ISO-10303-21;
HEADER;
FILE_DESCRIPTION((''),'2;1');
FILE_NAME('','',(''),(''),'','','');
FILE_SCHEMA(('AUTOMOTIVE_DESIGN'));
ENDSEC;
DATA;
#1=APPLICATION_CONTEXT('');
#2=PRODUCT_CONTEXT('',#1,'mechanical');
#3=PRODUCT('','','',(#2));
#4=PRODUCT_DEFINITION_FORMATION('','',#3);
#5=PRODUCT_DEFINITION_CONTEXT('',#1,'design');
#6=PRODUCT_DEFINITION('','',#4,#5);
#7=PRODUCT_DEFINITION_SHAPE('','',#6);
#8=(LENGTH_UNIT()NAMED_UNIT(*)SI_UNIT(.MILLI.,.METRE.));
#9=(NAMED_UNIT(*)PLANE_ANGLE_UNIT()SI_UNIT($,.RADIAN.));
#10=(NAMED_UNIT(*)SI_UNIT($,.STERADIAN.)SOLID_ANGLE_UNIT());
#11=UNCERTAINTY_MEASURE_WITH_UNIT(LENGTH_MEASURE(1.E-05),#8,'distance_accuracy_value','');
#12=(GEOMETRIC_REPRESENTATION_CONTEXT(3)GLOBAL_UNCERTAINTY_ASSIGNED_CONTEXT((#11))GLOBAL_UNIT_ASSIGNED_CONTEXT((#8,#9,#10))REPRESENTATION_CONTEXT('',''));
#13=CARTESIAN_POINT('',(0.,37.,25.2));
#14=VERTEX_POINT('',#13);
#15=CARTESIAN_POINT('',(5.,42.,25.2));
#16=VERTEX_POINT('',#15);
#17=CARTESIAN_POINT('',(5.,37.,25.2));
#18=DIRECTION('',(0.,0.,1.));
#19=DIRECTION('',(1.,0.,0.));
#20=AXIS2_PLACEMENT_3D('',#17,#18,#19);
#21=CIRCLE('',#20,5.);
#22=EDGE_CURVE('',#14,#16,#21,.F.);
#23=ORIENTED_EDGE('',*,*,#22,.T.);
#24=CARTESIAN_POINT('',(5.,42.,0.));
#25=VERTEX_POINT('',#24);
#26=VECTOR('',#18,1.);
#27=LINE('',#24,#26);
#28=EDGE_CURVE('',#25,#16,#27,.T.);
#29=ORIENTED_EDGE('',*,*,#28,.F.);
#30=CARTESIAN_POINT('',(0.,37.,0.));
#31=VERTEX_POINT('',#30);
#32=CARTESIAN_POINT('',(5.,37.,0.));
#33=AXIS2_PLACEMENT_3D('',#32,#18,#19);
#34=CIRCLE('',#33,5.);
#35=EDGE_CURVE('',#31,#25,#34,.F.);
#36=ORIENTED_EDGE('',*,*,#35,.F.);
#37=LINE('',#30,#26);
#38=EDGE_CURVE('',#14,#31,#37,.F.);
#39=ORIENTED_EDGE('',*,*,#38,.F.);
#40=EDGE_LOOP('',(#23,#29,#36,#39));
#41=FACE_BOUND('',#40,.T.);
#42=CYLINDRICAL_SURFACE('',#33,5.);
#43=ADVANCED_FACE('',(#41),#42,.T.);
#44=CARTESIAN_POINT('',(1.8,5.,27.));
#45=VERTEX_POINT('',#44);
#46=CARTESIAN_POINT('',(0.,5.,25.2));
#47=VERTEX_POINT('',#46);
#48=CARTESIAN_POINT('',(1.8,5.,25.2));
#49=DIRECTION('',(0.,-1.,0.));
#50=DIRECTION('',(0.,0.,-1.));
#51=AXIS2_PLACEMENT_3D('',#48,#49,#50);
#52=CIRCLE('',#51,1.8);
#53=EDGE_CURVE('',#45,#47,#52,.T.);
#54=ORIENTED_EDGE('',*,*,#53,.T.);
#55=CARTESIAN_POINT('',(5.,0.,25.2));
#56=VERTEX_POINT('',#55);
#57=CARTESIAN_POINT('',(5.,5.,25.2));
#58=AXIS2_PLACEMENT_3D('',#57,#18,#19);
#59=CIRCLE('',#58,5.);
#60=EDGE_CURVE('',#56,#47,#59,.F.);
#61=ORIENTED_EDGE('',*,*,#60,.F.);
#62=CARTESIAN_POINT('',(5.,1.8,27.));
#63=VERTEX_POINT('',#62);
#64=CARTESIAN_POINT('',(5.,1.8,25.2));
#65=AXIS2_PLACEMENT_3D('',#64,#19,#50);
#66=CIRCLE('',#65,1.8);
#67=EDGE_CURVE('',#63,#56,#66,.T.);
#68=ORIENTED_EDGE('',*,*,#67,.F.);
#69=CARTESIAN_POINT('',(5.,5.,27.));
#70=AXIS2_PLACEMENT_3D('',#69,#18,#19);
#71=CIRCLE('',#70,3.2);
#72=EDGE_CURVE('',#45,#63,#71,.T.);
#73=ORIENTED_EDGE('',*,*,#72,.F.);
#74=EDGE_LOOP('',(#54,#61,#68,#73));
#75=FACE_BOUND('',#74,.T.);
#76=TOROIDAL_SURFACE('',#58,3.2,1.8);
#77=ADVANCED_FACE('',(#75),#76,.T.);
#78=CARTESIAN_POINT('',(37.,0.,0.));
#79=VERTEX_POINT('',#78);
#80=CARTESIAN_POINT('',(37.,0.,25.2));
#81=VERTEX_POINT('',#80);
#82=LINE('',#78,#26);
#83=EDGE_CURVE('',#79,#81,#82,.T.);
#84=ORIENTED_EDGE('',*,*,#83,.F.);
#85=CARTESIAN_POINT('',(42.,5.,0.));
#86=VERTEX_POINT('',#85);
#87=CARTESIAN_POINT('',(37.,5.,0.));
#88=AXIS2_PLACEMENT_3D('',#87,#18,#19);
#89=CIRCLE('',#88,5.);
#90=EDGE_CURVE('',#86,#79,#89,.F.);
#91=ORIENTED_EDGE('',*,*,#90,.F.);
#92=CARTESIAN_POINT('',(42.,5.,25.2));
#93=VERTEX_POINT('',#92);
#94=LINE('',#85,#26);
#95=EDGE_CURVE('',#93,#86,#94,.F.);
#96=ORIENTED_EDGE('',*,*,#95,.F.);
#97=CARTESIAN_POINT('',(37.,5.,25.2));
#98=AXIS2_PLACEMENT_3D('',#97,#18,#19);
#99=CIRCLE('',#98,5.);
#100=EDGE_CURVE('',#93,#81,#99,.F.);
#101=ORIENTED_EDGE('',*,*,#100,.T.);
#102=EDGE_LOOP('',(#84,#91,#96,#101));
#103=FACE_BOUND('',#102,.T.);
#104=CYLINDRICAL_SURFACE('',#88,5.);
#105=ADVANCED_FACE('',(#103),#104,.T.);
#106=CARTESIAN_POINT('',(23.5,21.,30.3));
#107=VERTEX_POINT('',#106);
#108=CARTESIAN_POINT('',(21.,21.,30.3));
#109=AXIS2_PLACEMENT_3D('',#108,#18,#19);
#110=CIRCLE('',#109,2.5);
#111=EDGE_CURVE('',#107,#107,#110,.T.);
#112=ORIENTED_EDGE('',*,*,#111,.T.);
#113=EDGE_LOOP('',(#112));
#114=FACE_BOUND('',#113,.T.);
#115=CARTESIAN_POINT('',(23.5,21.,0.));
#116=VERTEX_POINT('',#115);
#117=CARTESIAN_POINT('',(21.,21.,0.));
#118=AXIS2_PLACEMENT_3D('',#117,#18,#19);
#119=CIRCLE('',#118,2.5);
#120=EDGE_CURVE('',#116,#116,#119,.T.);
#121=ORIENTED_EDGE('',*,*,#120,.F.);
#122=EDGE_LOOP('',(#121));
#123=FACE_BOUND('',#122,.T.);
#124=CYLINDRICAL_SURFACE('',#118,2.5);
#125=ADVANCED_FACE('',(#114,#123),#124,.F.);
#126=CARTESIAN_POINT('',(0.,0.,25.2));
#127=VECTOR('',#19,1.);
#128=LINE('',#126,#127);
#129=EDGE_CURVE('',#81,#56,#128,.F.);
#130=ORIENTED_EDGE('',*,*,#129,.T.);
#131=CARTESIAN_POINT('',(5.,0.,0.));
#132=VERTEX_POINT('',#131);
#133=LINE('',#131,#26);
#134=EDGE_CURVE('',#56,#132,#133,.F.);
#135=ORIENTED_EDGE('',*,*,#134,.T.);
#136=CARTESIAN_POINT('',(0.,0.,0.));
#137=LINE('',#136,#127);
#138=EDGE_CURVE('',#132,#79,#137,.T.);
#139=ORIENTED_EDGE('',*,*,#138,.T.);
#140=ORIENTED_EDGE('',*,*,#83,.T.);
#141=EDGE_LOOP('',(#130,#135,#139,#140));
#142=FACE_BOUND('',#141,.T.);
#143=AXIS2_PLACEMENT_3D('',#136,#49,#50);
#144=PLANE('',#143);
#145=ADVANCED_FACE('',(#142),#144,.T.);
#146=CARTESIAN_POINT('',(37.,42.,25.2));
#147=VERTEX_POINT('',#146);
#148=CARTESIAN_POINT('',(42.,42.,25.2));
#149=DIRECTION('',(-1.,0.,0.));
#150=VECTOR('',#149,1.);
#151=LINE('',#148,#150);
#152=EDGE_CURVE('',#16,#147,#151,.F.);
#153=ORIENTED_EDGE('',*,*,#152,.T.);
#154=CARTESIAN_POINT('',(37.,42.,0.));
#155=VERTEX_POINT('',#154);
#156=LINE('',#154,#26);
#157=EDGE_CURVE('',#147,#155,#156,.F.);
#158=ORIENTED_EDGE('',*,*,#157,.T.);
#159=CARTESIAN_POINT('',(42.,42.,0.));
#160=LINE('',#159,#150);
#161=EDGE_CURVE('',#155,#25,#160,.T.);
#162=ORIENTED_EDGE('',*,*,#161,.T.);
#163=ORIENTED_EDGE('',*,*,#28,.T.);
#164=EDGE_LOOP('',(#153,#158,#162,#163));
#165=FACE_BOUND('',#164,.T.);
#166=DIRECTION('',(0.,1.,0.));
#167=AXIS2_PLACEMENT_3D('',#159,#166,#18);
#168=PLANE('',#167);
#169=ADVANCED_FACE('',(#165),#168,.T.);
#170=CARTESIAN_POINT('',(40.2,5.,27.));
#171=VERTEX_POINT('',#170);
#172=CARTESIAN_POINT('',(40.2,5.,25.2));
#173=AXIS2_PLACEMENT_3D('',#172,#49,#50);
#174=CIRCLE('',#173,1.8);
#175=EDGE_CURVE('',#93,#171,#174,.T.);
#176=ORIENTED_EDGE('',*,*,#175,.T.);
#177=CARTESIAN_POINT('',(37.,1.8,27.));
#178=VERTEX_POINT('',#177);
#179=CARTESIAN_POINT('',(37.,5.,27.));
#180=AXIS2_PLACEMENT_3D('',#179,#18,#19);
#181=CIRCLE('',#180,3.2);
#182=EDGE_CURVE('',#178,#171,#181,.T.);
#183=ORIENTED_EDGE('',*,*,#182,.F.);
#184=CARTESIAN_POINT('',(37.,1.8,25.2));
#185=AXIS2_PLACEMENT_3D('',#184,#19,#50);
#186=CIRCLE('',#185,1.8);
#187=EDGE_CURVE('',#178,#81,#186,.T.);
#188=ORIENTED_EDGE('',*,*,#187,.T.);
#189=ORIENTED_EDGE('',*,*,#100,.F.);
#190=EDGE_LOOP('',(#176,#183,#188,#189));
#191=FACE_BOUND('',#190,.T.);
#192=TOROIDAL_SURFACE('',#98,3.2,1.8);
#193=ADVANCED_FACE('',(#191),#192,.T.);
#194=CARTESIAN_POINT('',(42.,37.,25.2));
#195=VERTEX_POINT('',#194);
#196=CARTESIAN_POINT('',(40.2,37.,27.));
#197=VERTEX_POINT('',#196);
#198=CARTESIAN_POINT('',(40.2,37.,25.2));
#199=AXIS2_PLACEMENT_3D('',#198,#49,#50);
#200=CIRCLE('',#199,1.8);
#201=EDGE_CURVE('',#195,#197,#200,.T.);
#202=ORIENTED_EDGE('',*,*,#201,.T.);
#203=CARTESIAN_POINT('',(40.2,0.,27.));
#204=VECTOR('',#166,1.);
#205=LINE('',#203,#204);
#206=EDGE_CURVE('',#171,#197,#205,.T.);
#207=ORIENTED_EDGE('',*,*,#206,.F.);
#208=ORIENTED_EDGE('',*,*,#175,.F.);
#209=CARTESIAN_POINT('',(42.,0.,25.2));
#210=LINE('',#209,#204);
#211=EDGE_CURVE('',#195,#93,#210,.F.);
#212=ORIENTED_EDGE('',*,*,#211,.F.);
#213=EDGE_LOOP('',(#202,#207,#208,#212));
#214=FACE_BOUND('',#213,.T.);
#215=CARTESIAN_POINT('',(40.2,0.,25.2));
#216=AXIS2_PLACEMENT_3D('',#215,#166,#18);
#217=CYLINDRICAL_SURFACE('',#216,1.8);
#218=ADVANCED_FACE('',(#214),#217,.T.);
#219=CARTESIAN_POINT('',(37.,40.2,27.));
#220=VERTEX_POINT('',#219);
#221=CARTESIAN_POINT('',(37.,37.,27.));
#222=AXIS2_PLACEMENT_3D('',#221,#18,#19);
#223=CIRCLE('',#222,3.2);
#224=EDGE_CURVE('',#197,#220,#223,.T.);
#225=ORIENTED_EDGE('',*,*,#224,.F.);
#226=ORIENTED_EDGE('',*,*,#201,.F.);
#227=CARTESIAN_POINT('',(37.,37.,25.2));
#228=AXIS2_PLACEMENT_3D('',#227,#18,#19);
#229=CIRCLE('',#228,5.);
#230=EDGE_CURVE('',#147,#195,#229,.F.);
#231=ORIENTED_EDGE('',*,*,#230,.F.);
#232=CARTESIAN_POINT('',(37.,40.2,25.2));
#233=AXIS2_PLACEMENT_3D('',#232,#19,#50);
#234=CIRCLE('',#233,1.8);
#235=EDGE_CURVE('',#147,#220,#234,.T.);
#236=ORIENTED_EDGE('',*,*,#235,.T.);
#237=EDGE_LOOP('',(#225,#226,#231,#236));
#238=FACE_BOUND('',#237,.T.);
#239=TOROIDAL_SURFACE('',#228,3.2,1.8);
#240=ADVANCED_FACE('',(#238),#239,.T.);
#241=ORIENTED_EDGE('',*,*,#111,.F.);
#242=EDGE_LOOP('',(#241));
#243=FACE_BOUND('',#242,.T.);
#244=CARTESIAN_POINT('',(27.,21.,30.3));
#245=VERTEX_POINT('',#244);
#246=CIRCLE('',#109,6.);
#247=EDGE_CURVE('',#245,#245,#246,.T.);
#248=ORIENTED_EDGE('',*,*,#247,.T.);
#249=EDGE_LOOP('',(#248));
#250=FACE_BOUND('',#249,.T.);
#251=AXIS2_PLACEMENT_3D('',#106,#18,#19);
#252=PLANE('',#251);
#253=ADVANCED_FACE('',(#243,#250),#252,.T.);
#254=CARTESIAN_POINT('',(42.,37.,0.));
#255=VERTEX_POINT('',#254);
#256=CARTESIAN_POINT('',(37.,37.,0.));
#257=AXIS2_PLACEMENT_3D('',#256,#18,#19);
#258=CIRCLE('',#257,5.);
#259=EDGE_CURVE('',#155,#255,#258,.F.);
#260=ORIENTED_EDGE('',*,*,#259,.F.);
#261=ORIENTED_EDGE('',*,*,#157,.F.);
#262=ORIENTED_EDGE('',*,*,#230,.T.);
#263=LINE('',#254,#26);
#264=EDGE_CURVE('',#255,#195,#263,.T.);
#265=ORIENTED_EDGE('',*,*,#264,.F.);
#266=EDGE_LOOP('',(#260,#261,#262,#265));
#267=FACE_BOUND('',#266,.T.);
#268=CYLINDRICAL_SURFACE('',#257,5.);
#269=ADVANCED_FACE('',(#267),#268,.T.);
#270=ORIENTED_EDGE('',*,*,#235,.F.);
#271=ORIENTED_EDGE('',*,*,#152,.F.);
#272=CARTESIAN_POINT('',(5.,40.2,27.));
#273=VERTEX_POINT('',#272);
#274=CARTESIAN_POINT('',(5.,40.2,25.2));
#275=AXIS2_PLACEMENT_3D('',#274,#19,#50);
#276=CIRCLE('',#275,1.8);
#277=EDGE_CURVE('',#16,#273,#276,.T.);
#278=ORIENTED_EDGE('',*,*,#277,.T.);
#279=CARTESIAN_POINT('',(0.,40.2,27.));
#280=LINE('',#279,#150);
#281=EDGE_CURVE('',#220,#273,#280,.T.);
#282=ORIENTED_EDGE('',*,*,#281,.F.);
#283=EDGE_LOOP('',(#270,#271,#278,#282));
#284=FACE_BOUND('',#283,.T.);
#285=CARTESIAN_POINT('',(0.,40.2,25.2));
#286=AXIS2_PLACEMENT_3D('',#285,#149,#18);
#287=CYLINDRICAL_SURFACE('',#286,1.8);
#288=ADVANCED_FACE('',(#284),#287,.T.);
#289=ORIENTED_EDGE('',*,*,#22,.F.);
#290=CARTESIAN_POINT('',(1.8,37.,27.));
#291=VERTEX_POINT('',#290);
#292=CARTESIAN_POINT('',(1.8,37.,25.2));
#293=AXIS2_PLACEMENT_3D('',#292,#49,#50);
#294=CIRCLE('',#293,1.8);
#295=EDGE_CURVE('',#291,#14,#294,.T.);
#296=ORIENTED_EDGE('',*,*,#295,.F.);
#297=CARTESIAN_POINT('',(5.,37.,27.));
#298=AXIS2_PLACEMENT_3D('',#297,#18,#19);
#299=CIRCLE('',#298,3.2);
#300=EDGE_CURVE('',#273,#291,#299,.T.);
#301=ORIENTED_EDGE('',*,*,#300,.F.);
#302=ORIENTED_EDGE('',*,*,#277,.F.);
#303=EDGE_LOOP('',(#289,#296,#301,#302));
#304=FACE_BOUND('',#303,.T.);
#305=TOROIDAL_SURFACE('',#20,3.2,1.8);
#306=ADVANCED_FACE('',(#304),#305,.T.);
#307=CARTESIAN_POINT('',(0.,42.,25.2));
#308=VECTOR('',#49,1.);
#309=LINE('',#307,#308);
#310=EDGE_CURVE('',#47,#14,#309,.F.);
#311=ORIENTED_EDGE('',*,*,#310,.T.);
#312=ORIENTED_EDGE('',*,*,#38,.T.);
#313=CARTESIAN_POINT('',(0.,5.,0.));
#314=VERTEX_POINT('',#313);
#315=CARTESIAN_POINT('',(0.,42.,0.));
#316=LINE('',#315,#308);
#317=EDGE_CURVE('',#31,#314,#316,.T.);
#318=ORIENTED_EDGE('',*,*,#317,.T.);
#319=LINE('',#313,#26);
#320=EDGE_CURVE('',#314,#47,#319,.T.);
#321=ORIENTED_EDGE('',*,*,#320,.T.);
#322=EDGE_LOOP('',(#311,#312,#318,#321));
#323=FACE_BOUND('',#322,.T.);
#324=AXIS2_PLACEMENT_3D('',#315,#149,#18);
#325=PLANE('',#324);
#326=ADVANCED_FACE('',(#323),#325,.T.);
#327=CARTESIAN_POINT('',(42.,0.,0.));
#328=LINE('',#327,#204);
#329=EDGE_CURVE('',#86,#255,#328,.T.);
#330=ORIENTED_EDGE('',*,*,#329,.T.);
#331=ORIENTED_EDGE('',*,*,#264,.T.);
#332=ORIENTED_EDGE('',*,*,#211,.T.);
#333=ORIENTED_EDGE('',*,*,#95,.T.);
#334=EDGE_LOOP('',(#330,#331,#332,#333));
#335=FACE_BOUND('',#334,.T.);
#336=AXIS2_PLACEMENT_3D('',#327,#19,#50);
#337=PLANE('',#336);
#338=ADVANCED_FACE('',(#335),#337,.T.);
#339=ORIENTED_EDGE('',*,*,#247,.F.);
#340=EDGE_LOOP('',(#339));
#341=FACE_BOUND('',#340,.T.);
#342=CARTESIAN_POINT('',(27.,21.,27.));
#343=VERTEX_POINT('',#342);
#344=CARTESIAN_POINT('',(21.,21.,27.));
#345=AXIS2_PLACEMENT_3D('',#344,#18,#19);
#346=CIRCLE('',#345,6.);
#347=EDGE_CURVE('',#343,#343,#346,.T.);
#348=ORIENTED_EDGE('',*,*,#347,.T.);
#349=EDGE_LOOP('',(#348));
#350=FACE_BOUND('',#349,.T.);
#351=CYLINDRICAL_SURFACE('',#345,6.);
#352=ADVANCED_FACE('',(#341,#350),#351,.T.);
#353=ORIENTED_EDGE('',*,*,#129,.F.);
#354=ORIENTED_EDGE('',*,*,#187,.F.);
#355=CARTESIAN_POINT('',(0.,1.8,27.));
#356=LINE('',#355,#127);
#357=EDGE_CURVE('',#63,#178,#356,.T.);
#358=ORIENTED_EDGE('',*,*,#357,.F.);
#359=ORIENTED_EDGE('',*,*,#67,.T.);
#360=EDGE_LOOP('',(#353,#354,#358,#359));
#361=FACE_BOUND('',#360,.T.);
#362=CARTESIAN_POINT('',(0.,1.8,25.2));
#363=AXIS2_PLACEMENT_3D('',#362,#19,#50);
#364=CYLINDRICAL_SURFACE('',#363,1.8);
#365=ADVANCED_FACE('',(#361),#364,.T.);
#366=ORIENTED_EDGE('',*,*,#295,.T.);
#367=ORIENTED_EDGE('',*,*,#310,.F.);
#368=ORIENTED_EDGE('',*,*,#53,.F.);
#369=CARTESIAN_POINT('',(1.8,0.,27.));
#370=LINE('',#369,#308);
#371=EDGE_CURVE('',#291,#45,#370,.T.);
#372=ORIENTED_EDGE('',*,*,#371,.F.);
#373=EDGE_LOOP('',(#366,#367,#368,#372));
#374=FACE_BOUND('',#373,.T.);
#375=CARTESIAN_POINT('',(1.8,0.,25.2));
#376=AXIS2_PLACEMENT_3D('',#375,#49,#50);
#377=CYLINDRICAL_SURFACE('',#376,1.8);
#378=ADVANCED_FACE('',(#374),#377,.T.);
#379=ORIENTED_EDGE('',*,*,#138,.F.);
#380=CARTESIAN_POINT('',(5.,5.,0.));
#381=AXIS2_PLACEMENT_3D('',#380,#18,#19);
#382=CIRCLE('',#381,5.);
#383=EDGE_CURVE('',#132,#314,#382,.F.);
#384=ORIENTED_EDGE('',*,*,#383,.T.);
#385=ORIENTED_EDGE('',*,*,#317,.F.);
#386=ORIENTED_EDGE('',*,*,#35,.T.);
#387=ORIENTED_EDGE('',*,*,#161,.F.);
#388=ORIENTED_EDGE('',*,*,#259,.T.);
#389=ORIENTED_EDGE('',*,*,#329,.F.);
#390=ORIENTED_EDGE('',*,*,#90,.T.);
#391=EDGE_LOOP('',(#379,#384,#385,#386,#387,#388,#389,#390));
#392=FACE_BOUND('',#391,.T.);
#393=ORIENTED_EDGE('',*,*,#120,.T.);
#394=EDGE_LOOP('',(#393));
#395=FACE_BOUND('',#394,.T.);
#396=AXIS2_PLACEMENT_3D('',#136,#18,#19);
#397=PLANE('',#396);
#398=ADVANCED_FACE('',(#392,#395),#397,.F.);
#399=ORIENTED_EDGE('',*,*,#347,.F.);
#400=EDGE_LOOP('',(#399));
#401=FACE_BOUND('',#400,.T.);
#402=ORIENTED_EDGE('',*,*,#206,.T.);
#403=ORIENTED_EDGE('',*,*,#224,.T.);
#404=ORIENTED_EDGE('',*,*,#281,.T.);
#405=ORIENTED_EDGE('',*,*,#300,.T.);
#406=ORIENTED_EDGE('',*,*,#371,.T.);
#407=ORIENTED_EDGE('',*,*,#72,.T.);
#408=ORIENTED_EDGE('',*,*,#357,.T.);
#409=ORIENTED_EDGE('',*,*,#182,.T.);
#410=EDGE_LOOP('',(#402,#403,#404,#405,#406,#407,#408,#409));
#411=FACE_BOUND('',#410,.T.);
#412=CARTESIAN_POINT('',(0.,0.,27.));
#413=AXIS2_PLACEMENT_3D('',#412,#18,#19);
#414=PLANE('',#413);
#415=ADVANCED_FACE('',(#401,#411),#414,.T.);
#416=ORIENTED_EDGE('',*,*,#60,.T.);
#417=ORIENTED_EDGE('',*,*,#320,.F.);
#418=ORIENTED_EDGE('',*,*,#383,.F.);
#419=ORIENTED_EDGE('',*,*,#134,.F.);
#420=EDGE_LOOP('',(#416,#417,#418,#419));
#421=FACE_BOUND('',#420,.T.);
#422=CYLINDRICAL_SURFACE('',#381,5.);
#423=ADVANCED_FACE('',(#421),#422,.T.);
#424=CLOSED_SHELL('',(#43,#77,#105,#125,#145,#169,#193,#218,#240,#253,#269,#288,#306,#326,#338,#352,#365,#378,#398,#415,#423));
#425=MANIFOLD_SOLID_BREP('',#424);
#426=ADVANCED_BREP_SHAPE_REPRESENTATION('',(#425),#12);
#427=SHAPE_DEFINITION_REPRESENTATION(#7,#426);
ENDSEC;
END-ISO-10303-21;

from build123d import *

# Parameters (mm, degrees)
CROQUIS1_W              = 42
CROQUIS1_H              = 42
SALIENTE_EXTRUIR1_DEPTH = 27
REDONDEO1_R             = 5
REDONDEO2_R             = 1.8
CROQUIS4_R              = 2.5
CORTAR_EXTRUIR1_DEPTH   = 38.8


with BuildPart() as part:
    # Croquis1 → Saliente-Extruir1 (new body)
    with BuildSketch(Plane.XY.offset(27)):
        with Locations((21, 21)):
            Rectangle(CROQUIS1_W, CROQUIS1_H)
    extrude(amount=-SALIENTE_EXTRUIR1_DEPTH)

    # Croquis2 → Revolución1 (revolve)
    with BuildSketch(Plane(origin=(0, 21, 0), x_dir=(1, 0, 0), z_dir=(0, 1, 0))):
        Polygon((27, -27), (21, -27), (21, -37.8), (23.5, -37.8), (23.5, -30.3), (27, -30.3), align=None)
    revolve(axis=Axis((21, 21, 27), (0, 0, 1)))

    # Redondeo1
    redondeo1_edges = [part.edges().sort_by_distance(p)[0] for p in [
        (42, 0, 13.5),
        (0, 0, 13.5),
        (0, 42, 13.5),
        (42, 42, 13.5),
    ]]
    fillet(redondeo1_edges, radius=REDONDEO1_R)

    # Redondeo2
    redondeo2_edges = [part.edges().sort_by_distance(p)[0] for p in [
        (21, 0, 27),
        (42, 21, 27),
        (21, 42, 27),
        (0, 21, 27),
        (40.535533906, 40.535533906, 27),
        (1.464466094, 1.464466094, 27),
        (1.464466094, 40.535533906, 27),
        (40.535533906, 1.464466094, 27),
    ]]
    fillet(redondeo2_edges, radius=REDONDEO2_R)

    # Croquis4 → Cortar-Extruir1 (cut, through all)
    with BuildSketch(Plane.XY.offset(37.8)):
        with Locations((21, 21)):
            Circle(CROQUIS4_R)
    extrude(amount=-CORTAR_EXTRUIR1_DEPTH, mode=Mode.SUBTRACT)


solid = part.part
